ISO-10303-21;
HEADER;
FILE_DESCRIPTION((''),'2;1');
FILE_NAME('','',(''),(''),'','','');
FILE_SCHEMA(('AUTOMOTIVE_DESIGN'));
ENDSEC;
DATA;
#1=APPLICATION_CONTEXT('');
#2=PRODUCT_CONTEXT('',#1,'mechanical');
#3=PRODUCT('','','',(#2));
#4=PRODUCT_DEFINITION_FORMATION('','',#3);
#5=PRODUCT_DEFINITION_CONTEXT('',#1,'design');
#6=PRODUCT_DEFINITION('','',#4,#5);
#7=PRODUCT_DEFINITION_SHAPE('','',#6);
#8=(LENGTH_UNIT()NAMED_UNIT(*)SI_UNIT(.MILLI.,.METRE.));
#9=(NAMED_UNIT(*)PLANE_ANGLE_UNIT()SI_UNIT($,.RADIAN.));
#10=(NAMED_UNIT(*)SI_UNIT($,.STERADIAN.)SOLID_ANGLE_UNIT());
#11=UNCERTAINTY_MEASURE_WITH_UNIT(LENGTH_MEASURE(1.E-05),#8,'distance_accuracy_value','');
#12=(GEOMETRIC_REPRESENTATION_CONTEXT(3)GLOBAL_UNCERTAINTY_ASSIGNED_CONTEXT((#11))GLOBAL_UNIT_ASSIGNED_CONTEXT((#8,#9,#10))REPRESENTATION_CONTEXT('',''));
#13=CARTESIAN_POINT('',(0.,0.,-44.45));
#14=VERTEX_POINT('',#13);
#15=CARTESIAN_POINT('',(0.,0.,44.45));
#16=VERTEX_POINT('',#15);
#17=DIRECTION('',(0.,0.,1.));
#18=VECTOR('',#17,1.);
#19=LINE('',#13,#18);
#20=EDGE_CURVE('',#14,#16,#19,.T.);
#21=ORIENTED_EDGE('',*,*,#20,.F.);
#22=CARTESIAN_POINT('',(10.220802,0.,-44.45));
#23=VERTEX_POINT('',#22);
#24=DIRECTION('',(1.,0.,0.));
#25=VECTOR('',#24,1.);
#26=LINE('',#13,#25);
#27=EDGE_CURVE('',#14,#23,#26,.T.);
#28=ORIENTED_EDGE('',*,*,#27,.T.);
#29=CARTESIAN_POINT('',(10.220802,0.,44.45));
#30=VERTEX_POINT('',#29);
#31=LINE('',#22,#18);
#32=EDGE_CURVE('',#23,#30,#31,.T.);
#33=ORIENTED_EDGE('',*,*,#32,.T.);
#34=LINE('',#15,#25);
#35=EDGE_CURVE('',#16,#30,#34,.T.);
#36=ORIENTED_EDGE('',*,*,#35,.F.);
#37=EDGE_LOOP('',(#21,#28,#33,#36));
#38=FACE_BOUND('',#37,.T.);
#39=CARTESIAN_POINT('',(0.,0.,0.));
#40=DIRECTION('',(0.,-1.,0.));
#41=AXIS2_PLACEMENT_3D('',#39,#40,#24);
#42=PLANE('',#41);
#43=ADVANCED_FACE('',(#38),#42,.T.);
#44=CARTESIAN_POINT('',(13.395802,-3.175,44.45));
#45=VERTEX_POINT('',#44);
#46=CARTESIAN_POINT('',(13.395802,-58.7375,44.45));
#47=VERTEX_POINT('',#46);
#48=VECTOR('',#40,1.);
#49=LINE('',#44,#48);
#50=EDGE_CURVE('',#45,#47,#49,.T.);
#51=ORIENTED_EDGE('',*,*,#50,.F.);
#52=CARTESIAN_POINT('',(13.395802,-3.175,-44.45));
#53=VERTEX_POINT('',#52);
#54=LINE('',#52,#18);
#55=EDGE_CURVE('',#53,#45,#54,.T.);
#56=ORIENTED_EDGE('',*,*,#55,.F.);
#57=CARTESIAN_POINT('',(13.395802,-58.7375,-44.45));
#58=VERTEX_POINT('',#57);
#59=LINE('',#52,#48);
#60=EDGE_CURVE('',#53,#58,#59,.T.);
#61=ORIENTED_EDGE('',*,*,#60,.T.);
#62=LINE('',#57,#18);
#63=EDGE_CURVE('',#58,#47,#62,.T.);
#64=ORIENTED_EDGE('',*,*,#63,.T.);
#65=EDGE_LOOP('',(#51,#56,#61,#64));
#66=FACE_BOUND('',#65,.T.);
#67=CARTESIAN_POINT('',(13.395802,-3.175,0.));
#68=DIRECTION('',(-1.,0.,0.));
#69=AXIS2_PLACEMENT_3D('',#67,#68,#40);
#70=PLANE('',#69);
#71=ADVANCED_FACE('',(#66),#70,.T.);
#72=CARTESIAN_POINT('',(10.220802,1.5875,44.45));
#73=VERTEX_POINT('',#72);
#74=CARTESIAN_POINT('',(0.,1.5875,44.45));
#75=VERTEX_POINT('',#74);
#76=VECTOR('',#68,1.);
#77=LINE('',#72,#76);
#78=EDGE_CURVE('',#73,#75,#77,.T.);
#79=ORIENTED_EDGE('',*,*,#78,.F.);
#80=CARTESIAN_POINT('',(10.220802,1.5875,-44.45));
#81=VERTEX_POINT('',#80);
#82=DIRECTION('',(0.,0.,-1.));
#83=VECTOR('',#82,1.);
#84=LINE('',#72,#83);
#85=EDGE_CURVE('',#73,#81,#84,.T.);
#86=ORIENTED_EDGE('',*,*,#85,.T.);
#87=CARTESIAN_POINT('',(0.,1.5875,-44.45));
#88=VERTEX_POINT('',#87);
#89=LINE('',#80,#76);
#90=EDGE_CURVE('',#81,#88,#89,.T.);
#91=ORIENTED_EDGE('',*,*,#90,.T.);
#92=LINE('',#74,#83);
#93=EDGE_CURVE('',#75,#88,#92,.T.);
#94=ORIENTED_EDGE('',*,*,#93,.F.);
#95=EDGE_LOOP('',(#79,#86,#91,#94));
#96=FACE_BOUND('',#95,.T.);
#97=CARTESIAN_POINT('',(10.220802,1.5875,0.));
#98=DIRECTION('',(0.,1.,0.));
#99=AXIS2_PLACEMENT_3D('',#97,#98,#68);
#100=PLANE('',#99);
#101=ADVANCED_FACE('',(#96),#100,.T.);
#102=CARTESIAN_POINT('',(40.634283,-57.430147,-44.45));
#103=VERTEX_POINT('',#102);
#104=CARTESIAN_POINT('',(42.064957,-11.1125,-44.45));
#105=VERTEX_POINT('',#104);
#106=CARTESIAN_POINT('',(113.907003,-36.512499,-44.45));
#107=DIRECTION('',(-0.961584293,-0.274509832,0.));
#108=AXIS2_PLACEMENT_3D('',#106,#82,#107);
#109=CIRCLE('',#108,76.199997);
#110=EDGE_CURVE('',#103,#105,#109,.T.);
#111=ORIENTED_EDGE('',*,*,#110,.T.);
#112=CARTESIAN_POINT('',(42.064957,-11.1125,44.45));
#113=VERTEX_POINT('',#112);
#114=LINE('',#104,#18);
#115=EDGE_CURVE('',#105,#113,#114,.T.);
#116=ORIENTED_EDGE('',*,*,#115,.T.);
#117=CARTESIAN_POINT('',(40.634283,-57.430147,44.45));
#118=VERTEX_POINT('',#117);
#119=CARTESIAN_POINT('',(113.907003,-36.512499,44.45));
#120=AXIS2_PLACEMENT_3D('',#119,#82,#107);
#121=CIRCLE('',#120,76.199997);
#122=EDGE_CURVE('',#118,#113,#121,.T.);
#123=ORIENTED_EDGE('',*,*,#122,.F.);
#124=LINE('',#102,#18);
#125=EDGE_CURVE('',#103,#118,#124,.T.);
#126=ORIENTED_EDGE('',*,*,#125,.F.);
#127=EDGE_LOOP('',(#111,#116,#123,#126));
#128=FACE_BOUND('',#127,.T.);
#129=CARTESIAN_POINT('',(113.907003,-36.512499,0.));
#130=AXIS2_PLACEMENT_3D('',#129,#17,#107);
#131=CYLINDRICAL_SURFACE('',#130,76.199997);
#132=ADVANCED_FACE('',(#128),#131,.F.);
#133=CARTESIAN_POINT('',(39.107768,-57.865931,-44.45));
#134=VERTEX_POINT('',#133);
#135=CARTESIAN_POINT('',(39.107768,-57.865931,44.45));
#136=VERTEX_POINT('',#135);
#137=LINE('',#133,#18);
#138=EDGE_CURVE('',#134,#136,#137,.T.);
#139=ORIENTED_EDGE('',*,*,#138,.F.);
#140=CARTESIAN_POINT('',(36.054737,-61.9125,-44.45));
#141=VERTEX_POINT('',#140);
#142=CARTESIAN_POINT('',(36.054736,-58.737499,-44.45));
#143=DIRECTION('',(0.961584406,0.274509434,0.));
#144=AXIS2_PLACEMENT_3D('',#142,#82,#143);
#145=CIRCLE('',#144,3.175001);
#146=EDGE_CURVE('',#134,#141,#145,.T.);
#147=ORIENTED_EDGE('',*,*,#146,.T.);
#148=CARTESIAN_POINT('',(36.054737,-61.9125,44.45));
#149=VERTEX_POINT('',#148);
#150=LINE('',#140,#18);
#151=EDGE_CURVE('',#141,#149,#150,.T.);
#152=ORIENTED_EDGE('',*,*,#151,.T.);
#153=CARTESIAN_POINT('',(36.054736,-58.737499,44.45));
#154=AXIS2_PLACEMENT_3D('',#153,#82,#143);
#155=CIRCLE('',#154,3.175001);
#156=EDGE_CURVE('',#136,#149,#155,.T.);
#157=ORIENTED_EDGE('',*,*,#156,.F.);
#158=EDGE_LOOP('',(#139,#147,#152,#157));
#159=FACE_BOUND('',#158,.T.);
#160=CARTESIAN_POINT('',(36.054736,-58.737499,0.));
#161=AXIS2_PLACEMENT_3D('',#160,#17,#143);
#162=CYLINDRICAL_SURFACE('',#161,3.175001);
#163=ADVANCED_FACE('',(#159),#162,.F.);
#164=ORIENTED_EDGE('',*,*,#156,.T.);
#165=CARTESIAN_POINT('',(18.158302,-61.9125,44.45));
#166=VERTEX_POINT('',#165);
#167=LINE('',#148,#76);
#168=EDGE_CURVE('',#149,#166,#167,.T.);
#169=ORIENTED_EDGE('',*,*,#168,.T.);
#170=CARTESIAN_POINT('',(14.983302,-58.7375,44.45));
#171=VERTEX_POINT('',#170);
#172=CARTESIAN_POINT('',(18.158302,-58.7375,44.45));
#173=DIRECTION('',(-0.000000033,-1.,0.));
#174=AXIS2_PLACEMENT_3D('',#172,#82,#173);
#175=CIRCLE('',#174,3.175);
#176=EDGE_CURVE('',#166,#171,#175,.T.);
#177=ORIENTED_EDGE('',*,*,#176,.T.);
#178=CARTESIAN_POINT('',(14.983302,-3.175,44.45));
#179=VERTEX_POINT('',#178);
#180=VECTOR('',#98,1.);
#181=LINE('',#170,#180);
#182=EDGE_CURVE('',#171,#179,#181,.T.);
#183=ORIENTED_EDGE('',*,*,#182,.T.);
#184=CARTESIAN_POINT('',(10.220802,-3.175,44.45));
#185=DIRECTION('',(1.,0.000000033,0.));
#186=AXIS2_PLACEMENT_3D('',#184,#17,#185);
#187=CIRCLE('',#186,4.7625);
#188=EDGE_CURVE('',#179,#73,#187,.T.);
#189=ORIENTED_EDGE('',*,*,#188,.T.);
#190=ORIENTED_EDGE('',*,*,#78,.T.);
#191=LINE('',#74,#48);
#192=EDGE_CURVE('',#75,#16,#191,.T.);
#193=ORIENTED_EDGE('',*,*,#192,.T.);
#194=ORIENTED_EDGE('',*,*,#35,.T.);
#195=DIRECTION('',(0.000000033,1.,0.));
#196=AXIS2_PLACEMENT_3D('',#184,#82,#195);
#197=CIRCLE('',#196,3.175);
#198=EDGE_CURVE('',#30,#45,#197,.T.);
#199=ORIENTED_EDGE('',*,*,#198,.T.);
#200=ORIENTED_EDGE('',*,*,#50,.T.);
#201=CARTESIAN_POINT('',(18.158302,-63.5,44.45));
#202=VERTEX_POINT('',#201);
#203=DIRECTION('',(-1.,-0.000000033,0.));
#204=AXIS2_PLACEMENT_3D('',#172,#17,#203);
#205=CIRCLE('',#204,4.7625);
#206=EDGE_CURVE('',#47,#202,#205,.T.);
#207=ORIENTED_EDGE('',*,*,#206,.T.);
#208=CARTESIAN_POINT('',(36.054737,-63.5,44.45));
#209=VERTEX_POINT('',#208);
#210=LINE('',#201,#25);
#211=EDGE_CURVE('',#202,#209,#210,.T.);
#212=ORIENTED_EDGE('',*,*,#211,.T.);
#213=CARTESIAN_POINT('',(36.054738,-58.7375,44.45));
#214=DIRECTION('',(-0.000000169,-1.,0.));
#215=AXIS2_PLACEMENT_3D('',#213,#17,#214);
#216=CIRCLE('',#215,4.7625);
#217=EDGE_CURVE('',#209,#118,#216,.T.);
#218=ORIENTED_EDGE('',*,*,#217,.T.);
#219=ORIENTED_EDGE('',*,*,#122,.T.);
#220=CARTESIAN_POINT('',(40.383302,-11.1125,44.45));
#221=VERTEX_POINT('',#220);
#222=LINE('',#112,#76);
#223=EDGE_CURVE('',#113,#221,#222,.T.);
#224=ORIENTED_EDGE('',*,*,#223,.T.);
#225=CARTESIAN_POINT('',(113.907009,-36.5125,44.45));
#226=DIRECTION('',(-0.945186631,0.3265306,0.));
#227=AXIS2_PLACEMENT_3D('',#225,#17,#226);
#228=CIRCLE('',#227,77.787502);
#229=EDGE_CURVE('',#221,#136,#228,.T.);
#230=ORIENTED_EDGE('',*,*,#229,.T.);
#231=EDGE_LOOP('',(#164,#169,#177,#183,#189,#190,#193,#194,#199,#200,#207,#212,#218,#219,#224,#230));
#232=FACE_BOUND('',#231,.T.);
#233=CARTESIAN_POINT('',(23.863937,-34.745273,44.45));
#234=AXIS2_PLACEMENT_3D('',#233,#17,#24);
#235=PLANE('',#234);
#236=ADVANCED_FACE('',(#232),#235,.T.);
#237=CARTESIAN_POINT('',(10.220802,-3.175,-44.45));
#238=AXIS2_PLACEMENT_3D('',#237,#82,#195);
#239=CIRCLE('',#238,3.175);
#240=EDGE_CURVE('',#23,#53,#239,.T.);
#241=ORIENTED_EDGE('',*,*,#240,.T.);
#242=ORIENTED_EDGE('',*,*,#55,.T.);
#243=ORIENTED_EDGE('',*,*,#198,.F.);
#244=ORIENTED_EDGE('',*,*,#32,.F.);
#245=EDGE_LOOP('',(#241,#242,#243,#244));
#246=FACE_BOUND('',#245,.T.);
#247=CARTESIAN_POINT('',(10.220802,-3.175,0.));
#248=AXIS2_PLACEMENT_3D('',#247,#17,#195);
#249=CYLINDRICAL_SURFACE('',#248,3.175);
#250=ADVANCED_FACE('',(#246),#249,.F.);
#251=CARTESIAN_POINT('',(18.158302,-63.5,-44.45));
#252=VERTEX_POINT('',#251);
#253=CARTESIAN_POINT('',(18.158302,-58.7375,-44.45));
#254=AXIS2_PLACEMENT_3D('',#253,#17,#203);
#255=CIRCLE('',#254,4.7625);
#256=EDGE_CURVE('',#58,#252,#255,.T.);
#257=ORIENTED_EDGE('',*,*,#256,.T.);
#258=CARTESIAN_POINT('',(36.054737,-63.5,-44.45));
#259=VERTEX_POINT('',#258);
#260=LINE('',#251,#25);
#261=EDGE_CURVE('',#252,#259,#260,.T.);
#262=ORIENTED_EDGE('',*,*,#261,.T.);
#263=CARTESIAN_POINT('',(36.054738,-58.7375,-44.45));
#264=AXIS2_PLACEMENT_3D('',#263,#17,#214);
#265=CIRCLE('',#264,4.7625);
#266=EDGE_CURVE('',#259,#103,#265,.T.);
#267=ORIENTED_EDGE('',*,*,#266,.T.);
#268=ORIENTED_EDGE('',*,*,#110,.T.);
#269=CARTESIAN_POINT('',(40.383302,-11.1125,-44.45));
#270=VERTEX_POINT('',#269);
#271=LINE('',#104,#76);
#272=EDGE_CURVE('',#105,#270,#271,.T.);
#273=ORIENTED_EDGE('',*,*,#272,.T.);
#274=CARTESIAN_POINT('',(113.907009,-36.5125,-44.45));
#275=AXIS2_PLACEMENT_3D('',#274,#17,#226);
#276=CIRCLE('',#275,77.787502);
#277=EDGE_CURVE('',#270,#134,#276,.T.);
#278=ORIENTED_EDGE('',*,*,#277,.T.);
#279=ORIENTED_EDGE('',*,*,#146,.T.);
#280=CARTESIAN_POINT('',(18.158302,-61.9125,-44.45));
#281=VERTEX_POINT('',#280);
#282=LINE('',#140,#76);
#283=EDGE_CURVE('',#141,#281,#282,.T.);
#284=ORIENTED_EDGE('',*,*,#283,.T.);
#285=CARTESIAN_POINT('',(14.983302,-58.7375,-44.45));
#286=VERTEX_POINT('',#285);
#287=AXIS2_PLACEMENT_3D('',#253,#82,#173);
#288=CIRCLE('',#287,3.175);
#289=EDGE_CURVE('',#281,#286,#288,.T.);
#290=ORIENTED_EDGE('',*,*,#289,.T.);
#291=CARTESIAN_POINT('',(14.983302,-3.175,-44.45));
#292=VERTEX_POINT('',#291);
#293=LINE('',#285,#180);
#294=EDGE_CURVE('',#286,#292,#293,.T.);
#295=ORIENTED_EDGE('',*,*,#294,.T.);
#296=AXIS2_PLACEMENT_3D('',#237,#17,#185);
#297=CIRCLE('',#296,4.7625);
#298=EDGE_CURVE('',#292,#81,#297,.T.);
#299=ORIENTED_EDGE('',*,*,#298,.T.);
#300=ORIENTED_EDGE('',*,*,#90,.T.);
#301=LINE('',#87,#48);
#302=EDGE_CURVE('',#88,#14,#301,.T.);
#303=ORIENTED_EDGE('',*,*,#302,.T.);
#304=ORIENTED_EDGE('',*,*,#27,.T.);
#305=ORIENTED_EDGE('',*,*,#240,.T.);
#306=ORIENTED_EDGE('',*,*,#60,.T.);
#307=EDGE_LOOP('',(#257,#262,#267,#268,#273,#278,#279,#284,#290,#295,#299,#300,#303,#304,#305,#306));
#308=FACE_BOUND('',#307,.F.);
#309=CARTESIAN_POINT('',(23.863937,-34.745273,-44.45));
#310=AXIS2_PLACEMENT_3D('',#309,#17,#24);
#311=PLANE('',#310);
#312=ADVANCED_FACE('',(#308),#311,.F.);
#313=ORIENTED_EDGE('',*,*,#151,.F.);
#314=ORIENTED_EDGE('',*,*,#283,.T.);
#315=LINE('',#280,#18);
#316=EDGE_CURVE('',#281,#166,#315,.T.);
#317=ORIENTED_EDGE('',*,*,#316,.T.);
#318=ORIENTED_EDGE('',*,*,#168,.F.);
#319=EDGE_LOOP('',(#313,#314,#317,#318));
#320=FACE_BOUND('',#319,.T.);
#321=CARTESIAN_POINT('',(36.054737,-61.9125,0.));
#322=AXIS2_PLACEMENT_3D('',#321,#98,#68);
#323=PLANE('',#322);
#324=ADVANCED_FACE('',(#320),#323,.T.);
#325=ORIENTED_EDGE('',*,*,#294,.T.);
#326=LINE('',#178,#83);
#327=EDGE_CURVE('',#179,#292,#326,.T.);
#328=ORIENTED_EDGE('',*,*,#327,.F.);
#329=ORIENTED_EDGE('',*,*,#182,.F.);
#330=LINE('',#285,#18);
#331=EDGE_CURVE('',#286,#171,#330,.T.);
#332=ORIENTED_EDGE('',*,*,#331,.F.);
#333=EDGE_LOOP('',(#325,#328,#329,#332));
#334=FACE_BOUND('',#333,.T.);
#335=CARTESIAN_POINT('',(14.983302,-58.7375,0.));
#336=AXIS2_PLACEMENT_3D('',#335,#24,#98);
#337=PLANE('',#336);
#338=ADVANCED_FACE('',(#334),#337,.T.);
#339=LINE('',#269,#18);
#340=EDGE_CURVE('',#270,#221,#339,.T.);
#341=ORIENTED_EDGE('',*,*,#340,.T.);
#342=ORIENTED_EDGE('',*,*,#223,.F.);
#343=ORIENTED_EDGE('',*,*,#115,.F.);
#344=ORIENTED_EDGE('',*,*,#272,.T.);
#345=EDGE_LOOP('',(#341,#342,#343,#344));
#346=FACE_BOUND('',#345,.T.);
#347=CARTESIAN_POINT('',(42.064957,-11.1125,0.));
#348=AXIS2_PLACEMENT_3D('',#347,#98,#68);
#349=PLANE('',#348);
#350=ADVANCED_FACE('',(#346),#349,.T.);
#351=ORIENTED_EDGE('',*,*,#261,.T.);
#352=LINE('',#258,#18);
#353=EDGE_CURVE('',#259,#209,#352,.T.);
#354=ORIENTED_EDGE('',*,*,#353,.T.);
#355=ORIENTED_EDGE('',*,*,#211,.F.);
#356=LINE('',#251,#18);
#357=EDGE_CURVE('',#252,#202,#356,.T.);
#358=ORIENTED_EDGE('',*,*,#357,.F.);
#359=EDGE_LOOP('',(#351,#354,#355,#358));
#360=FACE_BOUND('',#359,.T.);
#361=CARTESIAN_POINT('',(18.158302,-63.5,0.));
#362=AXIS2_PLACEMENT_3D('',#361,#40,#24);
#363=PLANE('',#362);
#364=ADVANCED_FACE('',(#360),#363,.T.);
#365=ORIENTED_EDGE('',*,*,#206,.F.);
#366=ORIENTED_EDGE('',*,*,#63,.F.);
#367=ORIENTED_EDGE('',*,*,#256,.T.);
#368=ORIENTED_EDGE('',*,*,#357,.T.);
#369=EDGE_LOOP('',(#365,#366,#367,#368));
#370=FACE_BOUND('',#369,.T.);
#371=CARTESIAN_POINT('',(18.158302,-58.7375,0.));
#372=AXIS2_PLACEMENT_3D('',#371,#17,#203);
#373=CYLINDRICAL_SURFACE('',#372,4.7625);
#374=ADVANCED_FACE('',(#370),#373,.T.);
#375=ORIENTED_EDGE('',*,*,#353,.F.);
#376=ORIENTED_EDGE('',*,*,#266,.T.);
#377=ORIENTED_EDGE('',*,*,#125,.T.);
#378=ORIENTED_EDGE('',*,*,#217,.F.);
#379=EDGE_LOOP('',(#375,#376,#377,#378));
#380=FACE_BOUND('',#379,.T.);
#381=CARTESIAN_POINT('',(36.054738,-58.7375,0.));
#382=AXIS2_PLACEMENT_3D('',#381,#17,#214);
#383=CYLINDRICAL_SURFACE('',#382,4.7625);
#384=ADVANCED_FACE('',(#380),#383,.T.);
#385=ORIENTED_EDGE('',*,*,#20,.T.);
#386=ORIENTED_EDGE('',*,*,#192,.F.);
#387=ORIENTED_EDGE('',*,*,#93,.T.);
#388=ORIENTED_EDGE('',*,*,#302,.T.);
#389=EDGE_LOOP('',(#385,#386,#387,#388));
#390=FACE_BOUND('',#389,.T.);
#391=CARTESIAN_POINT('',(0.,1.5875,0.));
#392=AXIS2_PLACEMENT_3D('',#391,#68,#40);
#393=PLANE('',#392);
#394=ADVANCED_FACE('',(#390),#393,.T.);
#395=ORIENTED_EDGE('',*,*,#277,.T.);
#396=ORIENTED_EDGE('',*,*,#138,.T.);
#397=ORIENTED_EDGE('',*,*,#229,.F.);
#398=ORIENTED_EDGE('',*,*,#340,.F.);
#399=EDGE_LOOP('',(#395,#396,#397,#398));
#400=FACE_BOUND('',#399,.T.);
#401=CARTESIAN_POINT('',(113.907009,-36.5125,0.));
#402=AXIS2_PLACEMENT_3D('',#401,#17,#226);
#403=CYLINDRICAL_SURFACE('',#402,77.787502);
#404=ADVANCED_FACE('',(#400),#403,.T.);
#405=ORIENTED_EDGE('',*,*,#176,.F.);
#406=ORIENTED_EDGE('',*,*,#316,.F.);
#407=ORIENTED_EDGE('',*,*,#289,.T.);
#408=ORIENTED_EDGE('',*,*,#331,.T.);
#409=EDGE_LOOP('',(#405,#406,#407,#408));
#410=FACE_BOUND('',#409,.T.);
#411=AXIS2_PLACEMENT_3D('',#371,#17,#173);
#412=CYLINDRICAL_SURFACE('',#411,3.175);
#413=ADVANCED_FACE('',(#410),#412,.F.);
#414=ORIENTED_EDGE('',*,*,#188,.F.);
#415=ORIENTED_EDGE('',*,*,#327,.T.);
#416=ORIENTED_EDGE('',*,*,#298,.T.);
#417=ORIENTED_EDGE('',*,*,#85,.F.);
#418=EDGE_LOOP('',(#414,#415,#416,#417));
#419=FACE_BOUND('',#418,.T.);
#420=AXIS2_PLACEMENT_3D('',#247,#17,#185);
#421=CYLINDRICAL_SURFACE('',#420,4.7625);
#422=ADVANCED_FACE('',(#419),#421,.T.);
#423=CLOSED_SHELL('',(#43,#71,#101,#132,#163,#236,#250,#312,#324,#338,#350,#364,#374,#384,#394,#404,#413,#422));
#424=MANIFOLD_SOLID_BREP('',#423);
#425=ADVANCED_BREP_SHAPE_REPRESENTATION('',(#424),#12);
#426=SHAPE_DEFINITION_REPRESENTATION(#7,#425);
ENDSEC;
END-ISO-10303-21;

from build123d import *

# Parameters (mm, degrees)
F1_DEPTH = 44.45


with BuildPart() as f1:
    # F0 (on Top) → F1 (new body, symmetric)
    with BuildSketch(Plane.XY):
        with BuildLine():
            Line((0, 1.5875), (0, 0))
            Line((0, 0), (10.220802, 0))
            ThreePointArc((10.220802, 0), (12.465866, -0.929936), (13.395802, -3.175))
            Line((13.395802, -3.175), (13.395802, -58.7375))
            ThreePointArc((13.395802, -58.7375), (14.790706, -62.105096), (18.158302, -63.5))
            Line((18.158302, -63.5), (36.054737, -63.5))
            ThreePointArc((36.054737, -63.5), (39.856558, -61.605874), (40.634283, -57.430147))
            ThreePointArc((40.634283, -57.430147), (37.743331, -34.159931), (42.064957, -11.1125))
            Line((42.064957, -11.1125), (40.383302, -11.1125))
            ThreePointArc((40.383302, -11.1125), (36.14844, -34.391079), (39.107768, -57.865931))
            ThreePointArc((39.107768, -57.865931), (38.589284, -60.649749), (36.054737, -61.9125))
            Line((36.054737, -61.9125), (18.158302, -61.9125))
            ThreePointArc((18.158302, -61.9125), (15.913238, -60.982564), (14.983302, -58.7375))
            Line((14.983302, -58.7375), (14.983302, -3.175))
            ThreePointArc((14.983302, -3.175), (13.588398, 0.192596), (10.220802, 1.5875))
            Line((10.220802, 1.5875), (0, 1.5875))
        make_face()
    extrude(amount=F1_DEPTH, both=True)


solid = f1.part
